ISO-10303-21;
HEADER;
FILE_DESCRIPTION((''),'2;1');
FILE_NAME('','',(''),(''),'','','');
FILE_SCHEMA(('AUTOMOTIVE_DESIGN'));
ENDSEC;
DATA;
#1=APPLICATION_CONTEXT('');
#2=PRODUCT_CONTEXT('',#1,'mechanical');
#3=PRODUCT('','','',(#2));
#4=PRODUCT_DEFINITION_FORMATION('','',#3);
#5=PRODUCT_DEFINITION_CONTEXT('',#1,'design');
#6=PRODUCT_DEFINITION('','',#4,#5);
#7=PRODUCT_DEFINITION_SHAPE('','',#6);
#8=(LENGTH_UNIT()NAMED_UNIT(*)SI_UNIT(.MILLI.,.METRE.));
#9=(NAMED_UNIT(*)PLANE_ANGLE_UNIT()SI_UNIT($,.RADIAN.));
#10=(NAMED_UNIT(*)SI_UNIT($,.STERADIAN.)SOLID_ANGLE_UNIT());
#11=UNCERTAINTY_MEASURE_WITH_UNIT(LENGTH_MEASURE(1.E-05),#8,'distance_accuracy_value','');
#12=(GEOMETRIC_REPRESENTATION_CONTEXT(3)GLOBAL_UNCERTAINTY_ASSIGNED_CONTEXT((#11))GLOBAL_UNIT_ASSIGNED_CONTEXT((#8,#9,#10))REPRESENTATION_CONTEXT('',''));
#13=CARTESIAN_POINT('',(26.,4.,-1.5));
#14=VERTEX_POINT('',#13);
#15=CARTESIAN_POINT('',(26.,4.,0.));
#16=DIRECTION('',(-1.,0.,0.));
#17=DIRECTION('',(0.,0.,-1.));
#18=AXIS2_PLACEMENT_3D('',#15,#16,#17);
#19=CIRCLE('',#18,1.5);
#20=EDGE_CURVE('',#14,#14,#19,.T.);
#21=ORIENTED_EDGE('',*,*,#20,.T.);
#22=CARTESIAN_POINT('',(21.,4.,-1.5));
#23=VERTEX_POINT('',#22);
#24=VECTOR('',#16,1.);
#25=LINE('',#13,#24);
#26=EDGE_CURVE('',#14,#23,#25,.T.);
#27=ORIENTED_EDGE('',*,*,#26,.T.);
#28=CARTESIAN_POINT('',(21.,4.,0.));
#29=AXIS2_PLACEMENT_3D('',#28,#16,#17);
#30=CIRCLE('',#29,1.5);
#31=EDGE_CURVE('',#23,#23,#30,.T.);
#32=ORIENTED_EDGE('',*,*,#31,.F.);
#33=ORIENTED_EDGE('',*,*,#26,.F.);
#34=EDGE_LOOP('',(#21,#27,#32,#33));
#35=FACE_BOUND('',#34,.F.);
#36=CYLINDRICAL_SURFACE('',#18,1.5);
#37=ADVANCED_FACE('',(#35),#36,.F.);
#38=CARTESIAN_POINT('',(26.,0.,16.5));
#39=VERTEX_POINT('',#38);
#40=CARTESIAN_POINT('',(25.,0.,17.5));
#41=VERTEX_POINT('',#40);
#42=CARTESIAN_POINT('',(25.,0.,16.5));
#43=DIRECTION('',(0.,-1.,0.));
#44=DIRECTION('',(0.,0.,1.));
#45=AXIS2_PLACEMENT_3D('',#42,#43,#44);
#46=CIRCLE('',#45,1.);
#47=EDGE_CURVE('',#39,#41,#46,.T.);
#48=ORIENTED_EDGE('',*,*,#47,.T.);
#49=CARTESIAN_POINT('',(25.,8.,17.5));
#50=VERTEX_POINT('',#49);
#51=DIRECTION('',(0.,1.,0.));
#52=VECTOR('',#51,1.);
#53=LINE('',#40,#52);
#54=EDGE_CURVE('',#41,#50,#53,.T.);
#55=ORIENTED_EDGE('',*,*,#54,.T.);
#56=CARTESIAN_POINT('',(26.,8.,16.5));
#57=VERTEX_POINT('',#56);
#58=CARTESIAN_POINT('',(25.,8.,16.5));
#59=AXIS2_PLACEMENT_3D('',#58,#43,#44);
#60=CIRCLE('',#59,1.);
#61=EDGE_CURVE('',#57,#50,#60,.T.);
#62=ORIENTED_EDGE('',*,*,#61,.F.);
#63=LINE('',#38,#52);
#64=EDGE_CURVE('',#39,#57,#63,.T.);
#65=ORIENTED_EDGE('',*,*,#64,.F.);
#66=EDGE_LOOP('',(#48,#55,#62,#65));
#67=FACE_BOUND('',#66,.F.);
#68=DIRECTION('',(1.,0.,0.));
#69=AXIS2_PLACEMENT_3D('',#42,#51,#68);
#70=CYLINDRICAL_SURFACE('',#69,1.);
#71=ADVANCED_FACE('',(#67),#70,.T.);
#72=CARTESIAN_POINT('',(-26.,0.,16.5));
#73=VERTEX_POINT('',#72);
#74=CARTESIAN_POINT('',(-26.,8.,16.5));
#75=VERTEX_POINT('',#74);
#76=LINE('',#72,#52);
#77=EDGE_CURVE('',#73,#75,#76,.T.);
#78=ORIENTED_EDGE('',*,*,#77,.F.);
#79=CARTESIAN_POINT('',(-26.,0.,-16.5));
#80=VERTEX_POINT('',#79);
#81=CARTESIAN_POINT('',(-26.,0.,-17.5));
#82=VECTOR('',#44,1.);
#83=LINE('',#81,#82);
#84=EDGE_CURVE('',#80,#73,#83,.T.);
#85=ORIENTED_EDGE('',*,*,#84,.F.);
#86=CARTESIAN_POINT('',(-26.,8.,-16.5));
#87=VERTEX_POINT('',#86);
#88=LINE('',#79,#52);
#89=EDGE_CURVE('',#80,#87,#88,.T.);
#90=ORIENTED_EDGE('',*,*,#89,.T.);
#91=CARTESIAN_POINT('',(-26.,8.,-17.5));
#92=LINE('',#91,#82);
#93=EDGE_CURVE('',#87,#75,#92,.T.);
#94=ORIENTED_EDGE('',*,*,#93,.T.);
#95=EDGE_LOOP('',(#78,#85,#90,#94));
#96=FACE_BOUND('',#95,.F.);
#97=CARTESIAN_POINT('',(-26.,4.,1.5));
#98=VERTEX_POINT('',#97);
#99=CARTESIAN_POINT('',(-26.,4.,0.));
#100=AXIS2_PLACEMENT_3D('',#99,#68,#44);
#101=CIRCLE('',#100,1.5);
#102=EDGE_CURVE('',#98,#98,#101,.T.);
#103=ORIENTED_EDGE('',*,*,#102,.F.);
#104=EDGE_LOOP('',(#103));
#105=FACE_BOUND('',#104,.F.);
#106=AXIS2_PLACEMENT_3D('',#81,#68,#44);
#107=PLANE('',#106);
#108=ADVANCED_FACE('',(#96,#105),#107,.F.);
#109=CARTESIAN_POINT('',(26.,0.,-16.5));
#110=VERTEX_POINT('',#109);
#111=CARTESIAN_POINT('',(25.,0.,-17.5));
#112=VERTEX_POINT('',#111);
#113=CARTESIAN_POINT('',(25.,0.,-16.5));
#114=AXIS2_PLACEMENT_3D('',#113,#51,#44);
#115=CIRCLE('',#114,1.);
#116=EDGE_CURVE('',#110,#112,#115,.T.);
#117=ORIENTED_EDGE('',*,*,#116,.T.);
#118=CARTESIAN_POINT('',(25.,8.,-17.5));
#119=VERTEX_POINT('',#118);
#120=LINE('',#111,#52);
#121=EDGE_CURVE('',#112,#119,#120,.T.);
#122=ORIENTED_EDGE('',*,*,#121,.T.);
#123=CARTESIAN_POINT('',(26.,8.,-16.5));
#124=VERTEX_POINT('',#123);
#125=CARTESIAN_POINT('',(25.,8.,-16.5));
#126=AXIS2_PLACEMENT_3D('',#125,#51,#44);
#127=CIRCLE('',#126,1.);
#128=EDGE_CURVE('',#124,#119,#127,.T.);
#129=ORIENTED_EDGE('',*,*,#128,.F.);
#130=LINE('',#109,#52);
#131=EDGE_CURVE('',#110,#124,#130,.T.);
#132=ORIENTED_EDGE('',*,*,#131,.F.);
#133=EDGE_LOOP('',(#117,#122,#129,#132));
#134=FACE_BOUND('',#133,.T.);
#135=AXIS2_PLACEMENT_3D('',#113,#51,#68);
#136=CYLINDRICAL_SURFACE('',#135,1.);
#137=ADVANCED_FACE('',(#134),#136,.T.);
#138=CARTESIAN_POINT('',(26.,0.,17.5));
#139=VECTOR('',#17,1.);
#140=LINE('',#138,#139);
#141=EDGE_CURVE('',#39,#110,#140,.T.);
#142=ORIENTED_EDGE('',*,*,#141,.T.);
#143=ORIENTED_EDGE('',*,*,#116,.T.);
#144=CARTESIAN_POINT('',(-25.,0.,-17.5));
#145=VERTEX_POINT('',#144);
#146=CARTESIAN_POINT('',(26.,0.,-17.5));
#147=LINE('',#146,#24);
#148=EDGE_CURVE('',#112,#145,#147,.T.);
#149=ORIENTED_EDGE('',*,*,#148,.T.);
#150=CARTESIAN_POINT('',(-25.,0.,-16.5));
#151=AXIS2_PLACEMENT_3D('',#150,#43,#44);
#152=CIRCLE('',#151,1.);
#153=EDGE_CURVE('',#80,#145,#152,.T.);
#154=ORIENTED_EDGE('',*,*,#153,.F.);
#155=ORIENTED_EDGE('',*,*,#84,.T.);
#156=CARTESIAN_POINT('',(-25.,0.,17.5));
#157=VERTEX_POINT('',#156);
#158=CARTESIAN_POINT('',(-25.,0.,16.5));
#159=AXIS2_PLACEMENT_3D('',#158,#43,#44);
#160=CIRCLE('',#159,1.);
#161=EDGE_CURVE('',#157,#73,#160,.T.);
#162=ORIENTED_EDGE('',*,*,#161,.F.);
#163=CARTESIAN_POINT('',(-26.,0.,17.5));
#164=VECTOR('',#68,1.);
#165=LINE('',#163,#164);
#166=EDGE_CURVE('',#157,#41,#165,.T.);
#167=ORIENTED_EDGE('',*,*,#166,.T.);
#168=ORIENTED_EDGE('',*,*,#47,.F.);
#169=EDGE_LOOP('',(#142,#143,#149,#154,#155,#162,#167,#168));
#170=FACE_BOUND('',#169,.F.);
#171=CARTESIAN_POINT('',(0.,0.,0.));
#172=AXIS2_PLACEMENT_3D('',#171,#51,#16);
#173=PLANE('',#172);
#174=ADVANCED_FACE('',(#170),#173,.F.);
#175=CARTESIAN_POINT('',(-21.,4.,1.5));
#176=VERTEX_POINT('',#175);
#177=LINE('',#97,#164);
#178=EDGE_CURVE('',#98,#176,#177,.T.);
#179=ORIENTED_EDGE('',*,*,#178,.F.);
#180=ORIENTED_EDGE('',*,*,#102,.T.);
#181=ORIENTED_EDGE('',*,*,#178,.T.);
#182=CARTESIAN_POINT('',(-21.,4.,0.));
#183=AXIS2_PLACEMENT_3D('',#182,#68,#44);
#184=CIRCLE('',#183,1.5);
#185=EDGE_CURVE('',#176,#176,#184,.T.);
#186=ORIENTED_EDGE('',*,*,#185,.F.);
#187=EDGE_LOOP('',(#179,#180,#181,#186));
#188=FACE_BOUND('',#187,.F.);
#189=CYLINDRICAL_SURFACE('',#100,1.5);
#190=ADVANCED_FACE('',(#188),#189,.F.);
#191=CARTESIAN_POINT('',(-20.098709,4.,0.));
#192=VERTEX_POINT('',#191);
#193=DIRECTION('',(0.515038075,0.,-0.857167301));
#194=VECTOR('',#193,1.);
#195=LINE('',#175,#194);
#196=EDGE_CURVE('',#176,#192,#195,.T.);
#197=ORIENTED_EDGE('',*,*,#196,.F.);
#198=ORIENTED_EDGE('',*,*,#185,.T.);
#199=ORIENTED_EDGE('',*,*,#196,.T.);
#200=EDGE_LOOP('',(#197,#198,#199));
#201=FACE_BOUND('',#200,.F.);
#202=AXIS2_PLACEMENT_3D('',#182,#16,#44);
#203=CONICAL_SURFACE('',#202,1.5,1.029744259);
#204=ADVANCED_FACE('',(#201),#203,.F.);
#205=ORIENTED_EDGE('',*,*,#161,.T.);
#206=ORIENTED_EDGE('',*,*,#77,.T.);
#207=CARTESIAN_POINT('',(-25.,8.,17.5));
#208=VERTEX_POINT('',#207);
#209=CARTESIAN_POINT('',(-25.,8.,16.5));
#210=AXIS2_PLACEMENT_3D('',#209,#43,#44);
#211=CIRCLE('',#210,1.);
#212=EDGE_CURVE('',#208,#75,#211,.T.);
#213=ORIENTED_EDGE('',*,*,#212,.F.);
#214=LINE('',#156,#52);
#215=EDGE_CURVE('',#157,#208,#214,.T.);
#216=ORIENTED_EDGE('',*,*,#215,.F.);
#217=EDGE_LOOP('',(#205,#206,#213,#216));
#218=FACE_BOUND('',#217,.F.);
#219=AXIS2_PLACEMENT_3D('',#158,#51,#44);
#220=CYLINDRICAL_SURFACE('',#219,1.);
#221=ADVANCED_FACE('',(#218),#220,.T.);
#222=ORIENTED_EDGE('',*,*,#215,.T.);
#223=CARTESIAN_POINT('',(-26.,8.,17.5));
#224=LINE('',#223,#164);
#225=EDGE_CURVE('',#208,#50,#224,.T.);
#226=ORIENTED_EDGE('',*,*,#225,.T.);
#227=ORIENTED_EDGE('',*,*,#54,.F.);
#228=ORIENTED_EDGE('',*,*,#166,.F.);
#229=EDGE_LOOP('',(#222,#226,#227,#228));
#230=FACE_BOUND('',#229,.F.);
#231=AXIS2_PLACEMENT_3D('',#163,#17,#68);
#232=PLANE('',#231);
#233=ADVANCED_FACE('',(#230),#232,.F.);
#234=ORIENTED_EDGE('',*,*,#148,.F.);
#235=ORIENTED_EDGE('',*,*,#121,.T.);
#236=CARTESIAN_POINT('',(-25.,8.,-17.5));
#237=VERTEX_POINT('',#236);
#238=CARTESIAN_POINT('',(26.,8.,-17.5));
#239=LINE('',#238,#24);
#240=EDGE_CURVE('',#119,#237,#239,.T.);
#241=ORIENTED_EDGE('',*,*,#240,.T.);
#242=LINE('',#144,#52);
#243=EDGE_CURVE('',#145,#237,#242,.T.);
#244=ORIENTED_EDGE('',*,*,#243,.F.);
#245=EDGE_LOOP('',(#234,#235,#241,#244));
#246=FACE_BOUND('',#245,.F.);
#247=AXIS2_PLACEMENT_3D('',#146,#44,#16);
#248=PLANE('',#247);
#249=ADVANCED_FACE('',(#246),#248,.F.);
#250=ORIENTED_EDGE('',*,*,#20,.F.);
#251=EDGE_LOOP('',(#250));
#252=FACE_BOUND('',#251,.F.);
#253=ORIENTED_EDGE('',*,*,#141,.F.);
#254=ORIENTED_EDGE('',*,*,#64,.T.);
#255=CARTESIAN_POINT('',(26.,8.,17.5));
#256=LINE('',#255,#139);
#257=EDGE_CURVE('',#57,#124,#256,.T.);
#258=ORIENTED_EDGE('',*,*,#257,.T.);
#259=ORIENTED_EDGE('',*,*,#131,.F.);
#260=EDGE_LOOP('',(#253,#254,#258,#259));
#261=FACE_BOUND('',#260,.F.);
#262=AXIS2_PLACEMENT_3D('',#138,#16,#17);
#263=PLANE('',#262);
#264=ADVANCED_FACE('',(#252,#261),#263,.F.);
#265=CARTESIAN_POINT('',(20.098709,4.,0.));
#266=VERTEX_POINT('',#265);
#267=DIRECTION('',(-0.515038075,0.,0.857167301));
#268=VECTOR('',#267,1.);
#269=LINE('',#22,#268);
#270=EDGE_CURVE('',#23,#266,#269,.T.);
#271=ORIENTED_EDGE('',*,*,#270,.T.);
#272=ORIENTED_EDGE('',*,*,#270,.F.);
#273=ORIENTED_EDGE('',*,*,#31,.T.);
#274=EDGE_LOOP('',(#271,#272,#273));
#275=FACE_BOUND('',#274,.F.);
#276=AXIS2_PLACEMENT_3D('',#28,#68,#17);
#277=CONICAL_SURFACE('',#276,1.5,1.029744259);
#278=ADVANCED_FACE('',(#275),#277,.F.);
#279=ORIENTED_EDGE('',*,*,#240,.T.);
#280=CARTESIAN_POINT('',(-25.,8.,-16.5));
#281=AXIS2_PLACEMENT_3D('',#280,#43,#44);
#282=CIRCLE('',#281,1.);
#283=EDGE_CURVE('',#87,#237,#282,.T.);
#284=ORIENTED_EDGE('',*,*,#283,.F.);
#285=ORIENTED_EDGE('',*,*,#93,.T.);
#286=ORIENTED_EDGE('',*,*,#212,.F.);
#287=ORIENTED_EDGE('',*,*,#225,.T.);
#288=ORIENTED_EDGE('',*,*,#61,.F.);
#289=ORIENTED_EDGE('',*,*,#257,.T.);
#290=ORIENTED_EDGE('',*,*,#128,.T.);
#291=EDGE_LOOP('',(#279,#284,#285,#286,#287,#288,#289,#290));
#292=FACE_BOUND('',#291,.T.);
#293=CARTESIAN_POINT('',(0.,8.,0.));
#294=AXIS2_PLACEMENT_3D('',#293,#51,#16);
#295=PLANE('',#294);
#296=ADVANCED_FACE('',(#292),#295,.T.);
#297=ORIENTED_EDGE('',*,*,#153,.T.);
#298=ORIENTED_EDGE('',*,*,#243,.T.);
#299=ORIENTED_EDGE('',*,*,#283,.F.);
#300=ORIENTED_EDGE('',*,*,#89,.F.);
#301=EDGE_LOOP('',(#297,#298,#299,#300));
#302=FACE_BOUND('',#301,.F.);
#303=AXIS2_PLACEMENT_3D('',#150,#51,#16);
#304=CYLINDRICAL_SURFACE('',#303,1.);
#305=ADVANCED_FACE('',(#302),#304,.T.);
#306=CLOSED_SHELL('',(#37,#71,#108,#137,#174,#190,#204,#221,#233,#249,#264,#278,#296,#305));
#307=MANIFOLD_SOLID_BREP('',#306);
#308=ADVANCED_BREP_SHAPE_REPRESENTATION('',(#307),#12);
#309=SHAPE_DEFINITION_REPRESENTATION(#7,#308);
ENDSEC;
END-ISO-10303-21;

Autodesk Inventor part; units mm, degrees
ref_plane "YZ Plane" through (0, 0, 0) normal (1, 0, 0) x (0, 1, 0)
ref_plane "XZ Plane" through (0, 0, 0) normal (0, 1, 0) x (-1, 0, 0)
ref_plane "XY Plane" through (0, 0, 0) normal (0, 0, 1) x (1, 0, 0)
sketch "Esboço1" plane through (0, 0, 0) normal (0, 1, 0) x (-1, 0, 0)
  line L0 (-26, -17.5) -> (26, -17.5)
  line L1 (26, -17.5) -> (26, 17.5)
  line L2 (26, 17.5) -> (-26, 17.5)
  line L3 (-26, 17.5) -> (-26, -17.5)
  line L4 (-26, -17.5) -> (26, 17.5) construction
  line L5 (26, -17.5) -> (-26, 17.5) construction
  point P0 (0, 0)
  dimension "d0" = 52
  dimension "d1" = 35
extrude "Extrusão1" add sketch "Esboço1" along normal blind 8
fillet "Arredondamento1" radius 1 4 edges at (26, 4, -17.5) (-26, 4, -17.5) (26, 4, 17.5) (-26, 4, 17.5)
sketch "Esboço2" plane through (-26, 0, -16.5) normal (-1, 0, 0) x (0, 0, 1)
  line L0 (0, 8) -> (33, 8) projected
  line L1 (0, 0) -> (33, 0) projected
  point P0 (16.5, 0)
  point P1 (16.5, 4)
  point P2 (16.5, 0)
  dimension "d5" = 4
hole "Furo1" at (-26, 4, 0) direction (1, 0, 0) diameter 3 depth 5 tip angle 118
sketch "Esboço3" plane through (26, 0, 16.5) normal (1, 0, 0) x (0, 0, -1)
  line L0 (0, 8) -> (33, 8) projected
  line L1 (0, 0) -> (33, 0) projected
  point P0 (16.5, 0)
  point P1 (16.5, 4)
  point P2 (16.5, 0)
  dimension "d13" = 4
hole "Furo2" at (26, 4, 0) direction (-1, 0, 0) diameter 3 depth 5 tip angle 118
properties part number "Case - Tampa" material "Plástico PC/ABS"
